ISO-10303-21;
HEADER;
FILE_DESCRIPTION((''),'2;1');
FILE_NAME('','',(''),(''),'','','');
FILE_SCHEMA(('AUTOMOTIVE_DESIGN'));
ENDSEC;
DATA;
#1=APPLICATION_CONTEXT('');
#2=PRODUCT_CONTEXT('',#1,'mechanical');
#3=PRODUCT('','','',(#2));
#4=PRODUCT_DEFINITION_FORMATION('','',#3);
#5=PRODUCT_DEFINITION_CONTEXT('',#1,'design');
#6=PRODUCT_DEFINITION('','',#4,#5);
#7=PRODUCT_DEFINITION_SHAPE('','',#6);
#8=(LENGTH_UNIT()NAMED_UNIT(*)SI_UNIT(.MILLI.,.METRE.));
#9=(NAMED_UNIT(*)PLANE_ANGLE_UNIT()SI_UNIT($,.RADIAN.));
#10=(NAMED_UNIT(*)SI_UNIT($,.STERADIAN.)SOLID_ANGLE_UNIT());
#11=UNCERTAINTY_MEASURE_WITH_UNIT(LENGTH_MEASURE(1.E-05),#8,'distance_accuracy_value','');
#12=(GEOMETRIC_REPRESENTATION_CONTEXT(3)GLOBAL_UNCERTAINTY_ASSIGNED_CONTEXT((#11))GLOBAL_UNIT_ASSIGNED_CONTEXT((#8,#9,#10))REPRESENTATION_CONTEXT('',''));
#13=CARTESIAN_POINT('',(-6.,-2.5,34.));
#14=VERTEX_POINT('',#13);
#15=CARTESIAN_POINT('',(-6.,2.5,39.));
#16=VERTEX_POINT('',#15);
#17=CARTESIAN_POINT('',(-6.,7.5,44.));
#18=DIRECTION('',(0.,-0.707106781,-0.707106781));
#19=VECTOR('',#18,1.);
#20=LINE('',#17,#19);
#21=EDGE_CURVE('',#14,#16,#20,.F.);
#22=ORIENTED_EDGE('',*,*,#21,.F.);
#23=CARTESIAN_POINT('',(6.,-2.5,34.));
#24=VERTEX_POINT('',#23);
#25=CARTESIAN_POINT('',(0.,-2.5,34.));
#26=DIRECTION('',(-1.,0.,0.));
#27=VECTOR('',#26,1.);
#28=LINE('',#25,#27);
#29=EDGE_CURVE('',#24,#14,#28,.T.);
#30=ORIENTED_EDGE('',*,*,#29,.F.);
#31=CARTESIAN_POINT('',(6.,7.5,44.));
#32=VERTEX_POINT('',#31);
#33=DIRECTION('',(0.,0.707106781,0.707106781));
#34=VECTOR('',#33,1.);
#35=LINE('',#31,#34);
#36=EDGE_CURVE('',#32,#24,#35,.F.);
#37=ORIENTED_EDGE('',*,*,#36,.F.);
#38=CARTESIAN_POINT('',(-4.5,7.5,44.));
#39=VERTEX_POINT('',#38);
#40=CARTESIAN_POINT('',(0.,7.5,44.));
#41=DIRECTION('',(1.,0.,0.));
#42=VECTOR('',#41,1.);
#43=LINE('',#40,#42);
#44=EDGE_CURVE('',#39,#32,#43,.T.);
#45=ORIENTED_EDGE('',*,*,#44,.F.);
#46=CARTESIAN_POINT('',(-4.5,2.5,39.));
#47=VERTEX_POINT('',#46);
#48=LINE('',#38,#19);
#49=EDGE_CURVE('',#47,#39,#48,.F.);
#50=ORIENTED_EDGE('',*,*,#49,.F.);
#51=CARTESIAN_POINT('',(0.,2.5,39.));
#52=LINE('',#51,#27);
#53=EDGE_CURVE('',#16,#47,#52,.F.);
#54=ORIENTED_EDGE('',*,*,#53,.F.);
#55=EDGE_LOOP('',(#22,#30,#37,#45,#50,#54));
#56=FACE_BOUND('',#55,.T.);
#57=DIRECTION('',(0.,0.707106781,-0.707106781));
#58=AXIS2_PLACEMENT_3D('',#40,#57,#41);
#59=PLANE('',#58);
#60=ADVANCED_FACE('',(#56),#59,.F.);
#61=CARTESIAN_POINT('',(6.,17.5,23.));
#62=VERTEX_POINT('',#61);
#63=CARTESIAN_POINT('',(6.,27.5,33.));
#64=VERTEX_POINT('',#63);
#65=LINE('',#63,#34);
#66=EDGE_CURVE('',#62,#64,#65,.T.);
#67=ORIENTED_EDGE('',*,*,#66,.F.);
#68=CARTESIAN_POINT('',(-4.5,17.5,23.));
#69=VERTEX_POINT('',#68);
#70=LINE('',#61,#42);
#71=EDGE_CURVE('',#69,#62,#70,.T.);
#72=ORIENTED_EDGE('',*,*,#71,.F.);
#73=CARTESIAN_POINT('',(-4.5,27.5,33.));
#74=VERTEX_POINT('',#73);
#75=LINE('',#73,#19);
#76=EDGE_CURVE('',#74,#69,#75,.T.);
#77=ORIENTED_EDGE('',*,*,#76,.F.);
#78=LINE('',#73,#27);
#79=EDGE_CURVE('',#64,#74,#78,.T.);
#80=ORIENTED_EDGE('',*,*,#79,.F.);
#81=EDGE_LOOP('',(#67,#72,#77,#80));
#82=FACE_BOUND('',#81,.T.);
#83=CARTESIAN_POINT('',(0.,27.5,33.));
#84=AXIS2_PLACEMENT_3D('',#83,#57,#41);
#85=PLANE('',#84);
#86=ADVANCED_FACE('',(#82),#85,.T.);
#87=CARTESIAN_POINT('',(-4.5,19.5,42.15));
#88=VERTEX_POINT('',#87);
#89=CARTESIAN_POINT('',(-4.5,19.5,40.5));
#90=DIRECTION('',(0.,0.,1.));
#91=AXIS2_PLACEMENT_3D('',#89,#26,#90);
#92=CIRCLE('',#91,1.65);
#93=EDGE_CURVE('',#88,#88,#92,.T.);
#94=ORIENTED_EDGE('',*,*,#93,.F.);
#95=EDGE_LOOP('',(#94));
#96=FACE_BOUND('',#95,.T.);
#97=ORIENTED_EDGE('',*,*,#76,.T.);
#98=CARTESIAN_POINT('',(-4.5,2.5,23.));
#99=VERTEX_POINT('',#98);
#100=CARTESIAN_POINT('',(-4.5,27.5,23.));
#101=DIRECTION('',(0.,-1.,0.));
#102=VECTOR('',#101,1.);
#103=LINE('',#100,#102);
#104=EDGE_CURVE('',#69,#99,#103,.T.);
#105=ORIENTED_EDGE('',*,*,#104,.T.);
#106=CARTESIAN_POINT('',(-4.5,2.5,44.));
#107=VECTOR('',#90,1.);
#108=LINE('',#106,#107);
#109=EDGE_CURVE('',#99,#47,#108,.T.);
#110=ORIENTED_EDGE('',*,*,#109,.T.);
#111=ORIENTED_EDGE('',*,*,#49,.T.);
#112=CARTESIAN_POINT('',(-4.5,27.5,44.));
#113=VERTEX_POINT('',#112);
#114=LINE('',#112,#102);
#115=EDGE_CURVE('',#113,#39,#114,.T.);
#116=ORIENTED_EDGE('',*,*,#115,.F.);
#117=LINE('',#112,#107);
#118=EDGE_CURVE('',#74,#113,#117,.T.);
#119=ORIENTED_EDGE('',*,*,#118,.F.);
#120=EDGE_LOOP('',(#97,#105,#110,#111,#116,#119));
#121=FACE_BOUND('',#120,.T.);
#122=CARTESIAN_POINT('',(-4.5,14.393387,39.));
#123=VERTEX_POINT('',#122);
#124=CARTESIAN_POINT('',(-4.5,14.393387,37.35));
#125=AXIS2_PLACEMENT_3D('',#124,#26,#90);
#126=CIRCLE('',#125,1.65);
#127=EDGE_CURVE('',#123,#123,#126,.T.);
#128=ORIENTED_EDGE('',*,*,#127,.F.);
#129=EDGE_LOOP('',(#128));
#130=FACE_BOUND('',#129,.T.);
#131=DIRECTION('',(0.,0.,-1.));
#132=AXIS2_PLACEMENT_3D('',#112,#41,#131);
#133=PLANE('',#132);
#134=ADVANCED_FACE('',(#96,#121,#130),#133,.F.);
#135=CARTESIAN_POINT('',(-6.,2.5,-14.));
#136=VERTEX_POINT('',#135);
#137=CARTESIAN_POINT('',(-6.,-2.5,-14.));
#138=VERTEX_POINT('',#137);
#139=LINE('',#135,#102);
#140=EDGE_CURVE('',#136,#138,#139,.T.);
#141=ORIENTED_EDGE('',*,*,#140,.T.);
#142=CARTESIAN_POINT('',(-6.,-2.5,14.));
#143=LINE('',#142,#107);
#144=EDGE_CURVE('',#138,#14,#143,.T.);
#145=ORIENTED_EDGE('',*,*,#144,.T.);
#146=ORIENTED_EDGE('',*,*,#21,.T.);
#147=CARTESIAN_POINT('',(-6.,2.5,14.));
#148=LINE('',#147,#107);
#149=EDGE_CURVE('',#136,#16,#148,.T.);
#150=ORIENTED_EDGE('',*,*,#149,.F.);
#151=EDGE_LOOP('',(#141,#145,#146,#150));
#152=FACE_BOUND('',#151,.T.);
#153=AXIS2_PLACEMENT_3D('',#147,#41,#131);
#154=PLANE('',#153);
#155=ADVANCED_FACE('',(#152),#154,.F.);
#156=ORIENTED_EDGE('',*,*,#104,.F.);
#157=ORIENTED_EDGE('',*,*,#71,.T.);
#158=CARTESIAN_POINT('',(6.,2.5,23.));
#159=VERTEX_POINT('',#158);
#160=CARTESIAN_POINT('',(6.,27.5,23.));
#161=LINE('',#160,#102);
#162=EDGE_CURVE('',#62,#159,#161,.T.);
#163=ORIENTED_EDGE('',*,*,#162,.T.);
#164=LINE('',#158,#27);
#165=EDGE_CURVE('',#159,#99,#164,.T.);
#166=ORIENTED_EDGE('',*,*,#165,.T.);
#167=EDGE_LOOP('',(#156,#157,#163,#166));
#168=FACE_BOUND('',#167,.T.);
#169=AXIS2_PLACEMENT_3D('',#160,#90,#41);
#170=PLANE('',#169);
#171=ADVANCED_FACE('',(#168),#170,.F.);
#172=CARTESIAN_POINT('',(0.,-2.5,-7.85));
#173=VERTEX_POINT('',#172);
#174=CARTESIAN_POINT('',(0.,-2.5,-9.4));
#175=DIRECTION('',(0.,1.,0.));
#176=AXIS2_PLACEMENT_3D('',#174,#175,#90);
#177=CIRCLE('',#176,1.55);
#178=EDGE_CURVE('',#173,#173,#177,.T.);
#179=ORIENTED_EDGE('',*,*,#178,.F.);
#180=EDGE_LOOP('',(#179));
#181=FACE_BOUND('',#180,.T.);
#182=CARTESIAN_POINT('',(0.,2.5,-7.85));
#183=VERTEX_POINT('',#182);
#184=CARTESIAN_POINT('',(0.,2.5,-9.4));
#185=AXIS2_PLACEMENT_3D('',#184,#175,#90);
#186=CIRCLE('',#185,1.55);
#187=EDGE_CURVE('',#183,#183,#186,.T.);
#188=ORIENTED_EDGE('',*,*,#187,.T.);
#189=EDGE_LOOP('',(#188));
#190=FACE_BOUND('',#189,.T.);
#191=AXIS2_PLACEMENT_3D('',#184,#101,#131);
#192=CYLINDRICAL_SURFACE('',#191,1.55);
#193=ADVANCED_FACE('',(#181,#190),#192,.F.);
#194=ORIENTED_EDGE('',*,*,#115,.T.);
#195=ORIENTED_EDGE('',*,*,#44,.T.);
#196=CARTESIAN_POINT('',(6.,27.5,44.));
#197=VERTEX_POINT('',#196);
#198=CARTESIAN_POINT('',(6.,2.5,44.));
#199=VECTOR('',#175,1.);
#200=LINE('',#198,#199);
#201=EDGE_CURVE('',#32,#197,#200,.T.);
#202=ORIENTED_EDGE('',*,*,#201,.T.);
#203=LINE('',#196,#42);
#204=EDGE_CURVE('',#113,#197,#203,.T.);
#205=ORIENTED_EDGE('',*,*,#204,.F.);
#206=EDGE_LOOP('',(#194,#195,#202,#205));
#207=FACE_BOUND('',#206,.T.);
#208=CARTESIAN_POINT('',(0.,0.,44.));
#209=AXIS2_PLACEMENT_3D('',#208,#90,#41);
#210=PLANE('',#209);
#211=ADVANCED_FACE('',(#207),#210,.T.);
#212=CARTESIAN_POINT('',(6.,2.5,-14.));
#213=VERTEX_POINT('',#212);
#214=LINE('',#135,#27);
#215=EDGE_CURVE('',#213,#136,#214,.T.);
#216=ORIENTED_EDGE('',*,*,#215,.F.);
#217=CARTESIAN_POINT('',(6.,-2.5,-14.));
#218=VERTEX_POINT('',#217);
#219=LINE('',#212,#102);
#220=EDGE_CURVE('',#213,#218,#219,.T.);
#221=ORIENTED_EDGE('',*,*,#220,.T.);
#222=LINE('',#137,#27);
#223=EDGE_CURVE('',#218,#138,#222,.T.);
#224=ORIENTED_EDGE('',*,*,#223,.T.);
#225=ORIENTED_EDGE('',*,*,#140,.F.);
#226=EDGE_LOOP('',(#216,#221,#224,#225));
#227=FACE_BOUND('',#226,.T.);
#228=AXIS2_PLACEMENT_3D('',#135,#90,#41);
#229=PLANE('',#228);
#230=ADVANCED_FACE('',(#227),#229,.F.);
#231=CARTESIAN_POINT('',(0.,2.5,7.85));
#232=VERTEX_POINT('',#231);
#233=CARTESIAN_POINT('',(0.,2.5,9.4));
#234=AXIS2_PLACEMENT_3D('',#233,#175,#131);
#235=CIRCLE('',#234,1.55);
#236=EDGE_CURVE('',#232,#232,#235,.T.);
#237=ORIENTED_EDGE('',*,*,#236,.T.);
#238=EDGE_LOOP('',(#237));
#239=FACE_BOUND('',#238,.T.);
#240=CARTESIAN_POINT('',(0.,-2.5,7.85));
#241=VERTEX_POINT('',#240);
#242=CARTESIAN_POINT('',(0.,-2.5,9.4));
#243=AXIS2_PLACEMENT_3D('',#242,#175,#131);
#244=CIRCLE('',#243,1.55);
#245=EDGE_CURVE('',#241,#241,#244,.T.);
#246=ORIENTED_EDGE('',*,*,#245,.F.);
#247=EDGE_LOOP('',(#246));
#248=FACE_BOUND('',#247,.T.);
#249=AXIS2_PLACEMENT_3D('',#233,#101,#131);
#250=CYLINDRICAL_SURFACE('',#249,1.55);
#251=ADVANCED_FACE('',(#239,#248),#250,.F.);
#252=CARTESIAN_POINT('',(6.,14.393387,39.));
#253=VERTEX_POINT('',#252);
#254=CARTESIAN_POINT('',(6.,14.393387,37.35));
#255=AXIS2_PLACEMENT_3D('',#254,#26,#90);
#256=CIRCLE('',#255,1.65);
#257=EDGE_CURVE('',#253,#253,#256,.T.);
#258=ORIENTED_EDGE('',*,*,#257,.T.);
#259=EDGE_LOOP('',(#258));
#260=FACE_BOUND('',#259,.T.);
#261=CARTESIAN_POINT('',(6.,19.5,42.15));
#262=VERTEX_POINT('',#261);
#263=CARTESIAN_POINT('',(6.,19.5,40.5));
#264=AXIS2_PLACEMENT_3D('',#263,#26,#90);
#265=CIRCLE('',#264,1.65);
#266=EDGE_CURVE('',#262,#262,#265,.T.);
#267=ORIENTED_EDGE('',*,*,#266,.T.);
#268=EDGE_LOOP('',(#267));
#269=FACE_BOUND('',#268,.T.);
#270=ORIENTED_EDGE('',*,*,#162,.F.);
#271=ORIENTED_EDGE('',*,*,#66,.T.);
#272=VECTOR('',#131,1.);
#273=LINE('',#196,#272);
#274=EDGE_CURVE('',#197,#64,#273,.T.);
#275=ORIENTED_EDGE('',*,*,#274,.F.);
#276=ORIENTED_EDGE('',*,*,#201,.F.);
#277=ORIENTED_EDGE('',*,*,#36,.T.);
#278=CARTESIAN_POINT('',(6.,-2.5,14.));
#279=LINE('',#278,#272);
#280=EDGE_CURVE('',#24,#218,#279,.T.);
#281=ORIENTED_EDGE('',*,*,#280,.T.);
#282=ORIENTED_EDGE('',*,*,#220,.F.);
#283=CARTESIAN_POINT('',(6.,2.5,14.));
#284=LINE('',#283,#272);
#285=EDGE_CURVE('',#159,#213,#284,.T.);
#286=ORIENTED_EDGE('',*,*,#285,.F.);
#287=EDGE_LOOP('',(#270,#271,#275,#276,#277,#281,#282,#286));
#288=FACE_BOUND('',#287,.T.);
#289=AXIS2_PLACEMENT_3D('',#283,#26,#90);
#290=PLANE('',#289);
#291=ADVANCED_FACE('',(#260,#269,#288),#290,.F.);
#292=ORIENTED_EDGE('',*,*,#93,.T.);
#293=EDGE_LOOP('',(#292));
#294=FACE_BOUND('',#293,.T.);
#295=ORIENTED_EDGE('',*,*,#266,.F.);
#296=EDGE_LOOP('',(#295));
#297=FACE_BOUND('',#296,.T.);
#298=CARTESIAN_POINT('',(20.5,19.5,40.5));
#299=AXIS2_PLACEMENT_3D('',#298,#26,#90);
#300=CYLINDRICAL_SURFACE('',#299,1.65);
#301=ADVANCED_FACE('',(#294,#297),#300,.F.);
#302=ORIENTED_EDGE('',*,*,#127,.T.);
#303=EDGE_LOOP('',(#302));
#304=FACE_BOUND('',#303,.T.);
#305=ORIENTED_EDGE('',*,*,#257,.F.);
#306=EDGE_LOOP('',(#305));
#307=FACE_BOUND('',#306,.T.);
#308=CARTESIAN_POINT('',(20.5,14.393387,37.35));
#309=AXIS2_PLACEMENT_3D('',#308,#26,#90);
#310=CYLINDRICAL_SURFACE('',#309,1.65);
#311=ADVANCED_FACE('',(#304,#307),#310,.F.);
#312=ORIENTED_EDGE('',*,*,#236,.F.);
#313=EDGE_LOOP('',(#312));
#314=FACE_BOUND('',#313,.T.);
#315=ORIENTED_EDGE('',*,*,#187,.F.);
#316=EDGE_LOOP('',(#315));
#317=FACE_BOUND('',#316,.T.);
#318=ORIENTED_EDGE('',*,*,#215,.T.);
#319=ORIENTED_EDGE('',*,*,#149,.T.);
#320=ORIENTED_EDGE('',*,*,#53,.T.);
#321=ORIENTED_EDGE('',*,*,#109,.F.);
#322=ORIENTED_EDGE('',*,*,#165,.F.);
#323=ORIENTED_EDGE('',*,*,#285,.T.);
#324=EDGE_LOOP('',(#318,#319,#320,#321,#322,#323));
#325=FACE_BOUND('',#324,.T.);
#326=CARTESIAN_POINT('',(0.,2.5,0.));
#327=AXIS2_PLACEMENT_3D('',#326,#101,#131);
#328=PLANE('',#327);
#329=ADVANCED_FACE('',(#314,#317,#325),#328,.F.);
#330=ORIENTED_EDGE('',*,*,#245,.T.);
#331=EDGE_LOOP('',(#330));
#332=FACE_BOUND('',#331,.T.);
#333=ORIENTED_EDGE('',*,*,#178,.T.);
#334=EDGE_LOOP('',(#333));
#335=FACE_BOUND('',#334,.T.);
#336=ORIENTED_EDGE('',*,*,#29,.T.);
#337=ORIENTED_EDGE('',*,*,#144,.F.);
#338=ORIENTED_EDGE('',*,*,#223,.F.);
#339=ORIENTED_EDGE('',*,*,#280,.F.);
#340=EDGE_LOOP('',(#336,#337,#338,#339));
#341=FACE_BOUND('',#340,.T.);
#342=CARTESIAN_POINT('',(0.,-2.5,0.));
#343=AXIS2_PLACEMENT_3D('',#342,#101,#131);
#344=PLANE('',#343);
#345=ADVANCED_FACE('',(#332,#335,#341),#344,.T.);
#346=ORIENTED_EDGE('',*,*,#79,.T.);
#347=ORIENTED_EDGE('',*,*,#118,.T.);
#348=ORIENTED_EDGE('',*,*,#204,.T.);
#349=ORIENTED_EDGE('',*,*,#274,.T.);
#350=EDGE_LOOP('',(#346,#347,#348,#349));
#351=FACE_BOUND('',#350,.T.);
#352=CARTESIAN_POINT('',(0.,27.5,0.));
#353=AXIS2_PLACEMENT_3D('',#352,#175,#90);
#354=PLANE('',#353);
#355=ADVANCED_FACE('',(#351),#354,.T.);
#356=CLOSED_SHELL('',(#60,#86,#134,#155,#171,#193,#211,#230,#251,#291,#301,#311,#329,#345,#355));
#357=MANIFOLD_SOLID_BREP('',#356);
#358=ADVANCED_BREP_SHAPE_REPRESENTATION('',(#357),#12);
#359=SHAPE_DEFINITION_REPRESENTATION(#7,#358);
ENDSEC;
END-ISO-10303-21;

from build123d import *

# Parameters (mm, degrees)
SKETCH_1_W          = 12
SKETCH_1_H          = 28
SKETCH_1_R          = 1.55
EXTRUDE_1_DEPTH     = 2.5
SKETCH_2_W          = 12
SKETCH_2_H          = 5
EXTRUDE_2_DEPTH     = 30
SKETCH_3_W          = 10.5
SKETCH_3_H          = 21
EXTRUDE_3_DEPTH     = 25
CHAMFER_1_SIZE      = 10
SKETCH_4_R          = 1.65
CUT_EXTRUDE_1_DEPTH = 25
CHAMFER_2_SIZE      = 10


with BuildPart() as part:
    # 草图1 → 凸台-拉伸1 (new, symmetric)
    with BuildSketch(Plane(origin=(0, 0, 0), x_dir=(1, 0, 0), z_dir=(0, 1, 0))):
        Rectangle(SKETCH_1_W, SKETCH_1_H)
        with Locations(Location((0, 9.4, 0), (0, 0, 270))):
            Circle(SKETCH_1_R, mode=Mode.SUBTRACT)
        with Locations(Location((0, -9.4, 0), (0, 0, 90))):
            Circle(SKETCH_1_R, mode=Mode.SUBTRACT)
    extrude(amount=EXTRUDE_1_DEPTH, both=True)

    # 草图2 → 凸台-拉伸2 (add)
    with BuildSketch(Plane.XY.offset(14)):
        Rectangle(SKETCH_2_W, SKETCH_2_H)
    extrude(amount=EXTRUDE_2_DEPTH)

    # 草图3 → 凸台-拉伸3 (add)
    with BuildSketch(Plane(origin=(0, 2.5, 0), x_dir=(1, 0, 0), z_dir=(0, 1, 0))):
        with Locations((0.75, -33.5)):
            Rectangle(SKETCH_3_W, SKETCH_3_H)
    extrude(amount=EXTRUDE_3_DEPTH)

    # 倒角1
    chamfer_1_edges = [part.edges().sort_by_distance(p)[0] for p in [
        (0.75, 27.5, 23),
    ]]
    chamfer(chamfer_1_edges, length=CHAMFER_1_SIZE)

    # 草图4 → 切除-拉伸1 (cut)
    with BuildSketch(Plane.ZY.offset(4.5)):
        with Locations((40.5, 19.5)):
            Circle(SKETCH_4_R)
        with Locations((37.35, 14.393386641)):
            Circle(SKETCH_4_R)
    extrude(amount=-CUT_EXTRUDE_1_DEPTH, mode=Mode.SUBTRACT)

    # 倒角2
    chamfer_2_edges = [part.edges().sort_by_distance(p)[0] for p in [
        (0, -2.5, 44),
    ]]
    chamfer(chamfer_2_edges, length=CHAMFER_2_SIZE)


solid = part.part
